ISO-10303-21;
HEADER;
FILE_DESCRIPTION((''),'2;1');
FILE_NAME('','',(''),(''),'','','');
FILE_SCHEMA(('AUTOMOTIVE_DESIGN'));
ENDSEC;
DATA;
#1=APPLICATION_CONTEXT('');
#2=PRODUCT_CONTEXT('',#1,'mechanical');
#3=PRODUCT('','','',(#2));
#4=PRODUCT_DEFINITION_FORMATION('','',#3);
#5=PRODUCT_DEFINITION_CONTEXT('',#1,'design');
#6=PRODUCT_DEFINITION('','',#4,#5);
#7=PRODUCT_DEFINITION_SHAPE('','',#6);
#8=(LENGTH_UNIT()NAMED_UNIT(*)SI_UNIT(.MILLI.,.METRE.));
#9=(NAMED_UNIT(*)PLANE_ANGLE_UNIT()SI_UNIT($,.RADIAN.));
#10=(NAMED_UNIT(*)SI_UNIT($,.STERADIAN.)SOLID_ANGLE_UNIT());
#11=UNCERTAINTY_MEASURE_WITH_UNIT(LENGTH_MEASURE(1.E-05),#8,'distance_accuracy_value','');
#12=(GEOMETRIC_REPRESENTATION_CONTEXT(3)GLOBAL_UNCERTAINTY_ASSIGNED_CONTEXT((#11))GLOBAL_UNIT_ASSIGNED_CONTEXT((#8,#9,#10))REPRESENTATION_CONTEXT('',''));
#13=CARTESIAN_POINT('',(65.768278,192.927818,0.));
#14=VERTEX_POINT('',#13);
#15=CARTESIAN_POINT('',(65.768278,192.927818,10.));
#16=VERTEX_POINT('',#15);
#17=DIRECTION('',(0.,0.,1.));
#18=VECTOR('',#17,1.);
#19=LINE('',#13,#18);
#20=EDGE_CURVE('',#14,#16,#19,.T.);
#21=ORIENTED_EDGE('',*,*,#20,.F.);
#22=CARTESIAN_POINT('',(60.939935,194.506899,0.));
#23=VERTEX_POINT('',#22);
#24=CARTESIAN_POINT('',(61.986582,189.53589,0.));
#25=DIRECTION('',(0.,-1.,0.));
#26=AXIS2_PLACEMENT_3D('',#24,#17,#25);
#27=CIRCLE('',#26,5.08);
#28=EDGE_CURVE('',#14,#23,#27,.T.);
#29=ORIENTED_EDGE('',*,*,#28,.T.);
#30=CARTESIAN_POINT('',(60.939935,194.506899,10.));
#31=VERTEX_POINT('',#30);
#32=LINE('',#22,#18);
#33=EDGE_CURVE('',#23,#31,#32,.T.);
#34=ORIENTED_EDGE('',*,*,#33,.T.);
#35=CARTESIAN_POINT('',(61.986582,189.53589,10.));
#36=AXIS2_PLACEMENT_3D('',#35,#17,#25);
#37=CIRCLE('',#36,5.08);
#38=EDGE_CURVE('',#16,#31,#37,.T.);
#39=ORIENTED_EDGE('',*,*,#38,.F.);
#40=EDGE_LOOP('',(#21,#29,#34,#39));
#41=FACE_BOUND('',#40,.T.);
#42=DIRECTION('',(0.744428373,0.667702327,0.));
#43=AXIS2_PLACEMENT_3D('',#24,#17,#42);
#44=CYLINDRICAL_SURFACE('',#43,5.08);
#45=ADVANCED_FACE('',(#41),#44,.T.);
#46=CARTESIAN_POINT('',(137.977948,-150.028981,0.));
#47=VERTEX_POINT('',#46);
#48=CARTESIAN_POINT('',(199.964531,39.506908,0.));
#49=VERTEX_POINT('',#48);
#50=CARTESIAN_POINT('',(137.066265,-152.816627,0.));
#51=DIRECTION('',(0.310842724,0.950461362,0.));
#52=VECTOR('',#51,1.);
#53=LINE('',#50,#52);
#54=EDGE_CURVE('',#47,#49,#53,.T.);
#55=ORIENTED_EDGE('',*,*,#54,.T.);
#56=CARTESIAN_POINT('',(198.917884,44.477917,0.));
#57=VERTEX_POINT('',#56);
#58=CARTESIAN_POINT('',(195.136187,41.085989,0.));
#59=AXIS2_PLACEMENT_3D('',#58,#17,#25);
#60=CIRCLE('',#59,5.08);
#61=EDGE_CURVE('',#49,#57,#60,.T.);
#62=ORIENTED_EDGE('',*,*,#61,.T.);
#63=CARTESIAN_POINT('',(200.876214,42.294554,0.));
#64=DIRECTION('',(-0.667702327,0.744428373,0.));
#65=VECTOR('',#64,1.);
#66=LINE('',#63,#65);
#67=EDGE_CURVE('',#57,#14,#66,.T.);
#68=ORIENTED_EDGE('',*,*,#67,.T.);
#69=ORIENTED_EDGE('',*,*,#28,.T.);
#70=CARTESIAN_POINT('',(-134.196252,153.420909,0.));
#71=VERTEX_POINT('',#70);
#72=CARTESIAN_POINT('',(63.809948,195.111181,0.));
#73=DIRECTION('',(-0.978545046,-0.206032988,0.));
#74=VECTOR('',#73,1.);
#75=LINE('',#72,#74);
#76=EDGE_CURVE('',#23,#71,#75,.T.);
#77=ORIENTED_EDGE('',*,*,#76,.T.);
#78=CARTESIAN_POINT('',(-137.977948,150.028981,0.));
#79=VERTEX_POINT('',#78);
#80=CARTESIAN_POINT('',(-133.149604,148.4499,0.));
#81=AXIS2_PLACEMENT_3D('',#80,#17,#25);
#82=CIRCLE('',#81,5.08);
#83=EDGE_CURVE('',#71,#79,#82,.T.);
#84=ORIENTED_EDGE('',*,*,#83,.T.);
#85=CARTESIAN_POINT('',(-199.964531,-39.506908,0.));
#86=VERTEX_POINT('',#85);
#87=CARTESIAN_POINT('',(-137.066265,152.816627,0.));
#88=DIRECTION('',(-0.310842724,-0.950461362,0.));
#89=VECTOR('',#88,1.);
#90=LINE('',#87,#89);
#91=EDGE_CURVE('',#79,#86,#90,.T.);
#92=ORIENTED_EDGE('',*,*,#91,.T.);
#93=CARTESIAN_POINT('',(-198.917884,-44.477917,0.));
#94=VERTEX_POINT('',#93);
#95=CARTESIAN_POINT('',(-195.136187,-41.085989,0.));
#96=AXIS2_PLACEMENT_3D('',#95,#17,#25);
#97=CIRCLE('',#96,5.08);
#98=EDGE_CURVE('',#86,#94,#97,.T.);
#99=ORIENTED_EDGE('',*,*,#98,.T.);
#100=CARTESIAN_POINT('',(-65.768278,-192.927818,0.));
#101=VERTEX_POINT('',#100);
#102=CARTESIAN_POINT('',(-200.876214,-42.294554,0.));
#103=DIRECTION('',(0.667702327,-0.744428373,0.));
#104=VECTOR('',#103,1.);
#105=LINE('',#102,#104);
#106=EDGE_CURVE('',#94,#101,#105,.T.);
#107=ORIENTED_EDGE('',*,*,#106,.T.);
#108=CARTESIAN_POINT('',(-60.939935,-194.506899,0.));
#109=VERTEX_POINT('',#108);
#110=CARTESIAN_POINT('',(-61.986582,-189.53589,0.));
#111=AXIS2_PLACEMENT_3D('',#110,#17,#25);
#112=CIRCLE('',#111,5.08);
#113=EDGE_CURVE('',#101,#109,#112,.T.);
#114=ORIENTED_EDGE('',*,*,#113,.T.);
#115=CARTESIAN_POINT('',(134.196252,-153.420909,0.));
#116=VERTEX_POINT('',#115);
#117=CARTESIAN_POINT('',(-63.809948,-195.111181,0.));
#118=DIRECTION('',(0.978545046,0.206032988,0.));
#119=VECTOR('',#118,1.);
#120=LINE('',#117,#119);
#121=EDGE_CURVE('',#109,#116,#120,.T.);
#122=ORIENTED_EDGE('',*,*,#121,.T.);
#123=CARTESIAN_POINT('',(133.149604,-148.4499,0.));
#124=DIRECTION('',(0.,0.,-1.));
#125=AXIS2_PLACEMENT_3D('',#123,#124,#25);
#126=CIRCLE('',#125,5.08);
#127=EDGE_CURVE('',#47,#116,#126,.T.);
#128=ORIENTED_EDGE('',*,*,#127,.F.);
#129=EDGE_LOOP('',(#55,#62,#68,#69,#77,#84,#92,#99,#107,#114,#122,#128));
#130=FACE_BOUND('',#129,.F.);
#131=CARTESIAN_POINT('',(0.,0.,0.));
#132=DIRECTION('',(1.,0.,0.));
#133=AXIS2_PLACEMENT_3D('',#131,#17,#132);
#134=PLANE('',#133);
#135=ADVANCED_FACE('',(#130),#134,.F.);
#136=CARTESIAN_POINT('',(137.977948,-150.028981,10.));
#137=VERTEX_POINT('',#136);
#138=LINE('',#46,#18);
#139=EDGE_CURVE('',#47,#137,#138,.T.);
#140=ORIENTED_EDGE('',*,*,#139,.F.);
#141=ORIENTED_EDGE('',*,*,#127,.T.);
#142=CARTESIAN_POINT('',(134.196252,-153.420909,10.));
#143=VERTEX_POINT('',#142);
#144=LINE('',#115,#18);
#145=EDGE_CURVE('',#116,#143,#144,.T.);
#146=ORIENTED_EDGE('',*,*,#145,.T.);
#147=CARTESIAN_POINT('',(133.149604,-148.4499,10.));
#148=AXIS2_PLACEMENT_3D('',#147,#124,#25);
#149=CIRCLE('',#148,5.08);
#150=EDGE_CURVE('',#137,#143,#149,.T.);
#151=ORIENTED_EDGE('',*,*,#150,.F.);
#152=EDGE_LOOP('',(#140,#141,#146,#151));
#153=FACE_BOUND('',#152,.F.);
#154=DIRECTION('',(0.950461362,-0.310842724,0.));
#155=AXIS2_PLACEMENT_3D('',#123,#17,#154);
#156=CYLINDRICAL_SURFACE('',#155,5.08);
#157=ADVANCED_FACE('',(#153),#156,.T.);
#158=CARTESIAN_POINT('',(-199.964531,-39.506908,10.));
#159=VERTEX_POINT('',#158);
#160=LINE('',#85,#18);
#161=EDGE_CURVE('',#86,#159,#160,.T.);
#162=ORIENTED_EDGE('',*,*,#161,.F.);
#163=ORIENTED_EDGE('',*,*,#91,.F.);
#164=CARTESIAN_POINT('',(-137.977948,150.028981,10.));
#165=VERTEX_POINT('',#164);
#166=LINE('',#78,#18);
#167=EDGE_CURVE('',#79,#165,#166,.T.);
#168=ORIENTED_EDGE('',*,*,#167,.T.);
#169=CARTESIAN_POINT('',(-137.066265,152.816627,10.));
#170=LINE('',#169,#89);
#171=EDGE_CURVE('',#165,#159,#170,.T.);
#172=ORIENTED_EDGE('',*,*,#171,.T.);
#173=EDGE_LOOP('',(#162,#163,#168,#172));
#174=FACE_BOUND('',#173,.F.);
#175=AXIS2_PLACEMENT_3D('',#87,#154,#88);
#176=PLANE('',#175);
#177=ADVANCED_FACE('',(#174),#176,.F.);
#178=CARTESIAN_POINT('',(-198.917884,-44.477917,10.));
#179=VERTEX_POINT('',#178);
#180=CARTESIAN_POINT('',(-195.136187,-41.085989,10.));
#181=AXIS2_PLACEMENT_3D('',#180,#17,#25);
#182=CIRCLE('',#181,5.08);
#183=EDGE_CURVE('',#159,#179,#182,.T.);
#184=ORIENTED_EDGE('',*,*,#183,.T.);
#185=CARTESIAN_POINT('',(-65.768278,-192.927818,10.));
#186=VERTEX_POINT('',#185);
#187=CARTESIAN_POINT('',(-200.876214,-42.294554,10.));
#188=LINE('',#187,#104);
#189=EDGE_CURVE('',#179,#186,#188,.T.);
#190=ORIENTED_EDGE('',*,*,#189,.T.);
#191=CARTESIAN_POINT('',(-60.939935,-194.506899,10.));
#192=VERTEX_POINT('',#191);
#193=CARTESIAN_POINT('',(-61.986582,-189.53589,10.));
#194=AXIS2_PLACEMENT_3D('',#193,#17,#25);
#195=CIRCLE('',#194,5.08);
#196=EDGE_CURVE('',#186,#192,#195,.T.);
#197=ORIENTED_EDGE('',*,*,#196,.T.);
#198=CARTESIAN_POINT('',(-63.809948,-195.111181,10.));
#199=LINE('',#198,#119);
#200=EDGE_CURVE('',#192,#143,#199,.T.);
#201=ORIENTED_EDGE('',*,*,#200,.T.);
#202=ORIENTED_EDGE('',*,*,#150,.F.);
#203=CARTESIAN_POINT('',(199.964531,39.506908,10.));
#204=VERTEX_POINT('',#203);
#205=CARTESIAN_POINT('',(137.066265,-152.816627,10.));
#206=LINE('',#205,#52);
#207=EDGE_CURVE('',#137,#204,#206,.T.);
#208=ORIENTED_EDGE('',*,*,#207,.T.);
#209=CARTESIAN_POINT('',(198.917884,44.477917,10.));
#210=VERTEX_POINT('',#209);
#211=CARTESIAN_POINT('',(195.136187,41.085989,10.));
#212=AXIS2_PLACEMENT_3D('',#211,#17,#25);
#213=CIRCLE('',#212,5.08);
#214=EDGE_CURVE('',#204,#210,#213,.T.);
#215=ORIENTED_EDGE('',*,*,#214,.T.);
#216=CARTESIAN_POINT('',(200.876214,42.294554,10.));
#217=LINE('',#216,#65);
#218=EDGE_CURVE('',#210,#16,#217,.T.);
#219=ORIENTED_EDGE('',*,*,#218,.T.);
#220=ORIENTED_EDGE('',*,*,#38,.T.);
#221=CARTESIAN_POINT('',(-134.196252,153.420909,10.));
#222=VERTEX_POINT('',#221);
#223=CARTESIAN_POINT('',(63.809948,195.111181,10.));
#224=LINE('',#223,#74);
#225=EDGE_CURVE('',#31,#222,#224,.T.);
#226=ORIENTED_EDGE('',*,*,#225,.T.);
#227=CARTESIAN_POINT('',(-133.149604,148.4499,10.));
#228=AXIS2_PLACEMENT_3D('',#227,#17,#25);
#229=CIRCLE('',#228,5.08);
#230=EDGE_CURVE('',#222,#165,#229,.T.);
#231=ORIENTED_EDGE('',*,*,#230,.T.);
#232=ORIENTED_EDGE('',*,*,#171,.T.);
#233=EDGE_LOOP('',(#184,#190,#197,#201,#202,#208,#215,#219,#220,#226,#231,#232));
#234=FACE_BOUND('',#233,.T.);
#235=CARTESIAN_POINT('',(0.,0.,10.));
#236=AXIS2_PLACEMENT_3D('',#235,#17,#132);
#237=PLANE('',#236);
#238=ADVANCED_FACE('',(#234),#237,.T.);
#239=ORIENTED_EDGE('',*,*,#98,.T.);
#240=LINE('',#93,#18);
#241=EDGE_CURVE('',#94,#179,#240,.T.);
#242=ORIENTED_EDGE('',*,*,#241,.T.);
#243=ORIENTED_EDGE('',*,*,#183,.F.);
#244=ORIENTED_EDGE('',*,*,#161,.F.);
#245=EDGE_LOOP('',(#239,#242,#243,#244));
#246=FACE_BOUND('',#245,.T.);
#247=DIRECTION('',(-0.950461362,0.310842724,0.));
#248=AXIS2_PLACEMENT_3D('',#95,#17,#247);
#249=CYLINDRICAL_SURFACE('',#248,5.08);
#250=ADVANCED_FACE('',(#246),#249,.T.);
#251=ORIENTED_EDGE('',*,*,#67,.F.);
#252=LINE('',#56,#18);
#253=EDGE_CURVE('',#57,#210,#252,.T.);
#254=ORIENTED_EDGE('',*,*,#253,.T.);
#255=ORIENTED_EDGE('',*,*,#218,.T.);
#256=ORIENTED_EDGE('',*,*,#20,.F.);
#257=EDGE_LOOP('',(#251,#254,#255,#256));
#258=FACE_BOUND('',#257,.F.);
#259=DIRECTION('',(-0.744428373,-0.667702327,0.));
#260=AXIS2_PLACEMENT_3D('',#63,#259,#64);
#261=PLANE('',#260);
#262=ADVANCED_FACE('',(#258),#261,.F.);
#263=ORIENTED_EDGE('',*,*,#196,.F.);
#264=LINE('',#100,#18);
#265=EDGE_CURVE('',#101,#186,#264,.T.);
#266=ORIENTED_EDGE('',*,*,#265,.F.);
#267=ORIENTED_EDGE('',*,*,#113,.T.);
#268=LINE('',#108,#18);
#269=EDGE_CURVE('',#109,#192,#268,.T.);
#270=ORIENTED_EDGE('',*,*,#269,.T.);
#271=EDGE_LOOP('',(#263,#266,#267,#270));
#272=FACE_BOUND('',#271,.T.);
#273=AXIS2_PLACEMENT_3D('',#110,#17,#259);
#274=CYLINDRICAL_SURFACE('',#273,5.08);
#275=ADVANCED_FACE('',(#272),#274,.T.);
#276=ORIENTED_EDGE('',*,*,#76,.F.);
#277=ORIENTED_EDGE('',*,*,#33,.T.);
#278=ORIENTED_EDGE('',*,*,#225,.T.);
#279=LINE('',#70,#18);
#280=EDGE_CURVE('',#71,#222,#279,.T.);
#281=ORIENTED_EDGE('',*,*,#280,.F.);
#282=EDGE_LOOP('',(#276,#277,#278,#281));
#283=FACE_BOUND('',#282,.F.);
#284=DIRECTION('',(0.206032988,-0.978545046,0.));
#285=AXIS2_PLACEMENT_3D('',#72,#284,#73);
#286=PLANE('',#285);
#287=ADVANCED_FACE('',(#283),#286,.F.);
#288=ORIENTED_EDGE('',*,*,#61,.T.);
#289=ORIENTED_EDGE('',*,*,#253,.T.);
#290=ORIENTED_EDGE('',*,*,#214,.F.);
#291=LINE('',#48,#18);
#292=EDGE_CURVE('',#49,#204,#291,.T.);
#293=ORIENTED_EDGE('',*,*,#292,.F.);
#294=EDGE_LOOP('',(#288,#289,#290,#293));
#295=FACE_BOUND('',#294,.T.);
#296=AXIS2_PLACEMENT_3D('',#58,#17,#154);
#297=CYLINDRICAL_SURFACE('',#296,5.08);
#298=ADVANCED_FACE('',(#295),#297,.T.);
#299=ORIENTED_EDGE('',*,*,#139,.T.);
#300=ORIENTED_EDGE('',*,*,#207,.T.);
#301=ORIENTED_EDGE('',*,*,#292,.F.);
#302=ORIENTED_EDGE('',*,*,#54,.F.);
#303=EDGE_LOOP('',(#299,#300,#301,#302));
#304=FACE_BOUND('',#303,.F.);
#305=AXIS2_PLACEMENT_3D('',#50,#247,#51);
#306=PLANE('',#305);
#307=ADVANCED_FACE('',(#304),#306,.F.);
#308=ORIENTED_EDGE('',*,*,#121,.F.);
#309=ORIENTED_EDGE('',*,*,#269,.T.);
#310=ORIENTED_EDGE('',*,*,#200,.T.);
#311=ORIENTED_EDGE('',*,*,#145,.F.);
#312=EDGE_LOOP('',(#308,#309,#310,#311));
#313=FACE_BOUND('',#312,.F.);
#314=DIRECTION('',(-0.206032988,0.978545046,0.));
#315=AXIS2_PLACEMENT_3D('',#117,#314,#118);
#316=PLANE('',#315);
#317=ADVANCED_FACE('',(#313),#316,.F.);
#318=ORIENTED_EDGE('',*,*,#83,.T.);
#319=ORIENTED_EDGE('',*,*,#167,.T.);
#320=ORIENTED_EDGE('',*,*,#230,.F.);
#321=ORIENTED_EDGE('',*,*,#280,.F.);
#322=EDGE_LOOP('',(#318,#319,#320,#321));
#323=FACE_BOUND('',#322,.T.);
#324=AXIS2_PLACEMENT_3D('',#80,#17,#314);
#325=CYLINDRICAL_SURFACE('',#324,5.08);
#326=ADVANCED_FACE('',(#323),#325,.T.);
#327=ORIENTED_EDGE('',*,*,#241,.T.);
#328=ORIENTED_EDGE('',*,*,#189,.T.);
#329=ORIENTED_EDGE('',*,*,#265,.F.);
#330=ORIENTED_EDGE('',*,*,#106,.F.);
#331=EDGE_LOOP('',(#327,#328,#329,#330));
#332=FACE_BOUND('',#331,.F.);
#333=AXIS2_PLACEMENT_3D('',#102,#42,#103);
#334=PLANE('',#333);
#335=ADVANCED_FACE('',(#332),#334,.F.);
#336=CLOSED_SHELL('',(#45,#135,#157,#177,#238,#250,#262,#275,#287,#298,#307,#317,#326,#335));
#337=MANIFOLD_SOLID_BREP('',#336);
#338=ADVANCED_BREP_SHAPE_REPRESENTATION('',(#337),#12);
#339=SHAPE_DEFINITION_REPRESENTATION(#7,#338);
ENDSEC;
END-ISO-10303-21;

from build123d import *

# Parameters (mm, degrees)
F1_DEPTH = 10
F2_R     = 5.08


with BuildPart() as f1:
    # F0 (on Top) → F1 (new body)
    with BuildSketch(Plane.XY):
        Polygon((137.066265, -152.816627), (200.876214, 42.294554), (63.809948, 195.111181), (-137.066265, 152.816627), (-200.876214, -42.294554), (-63.809948, -195.111181), align=None)
    extrude(amount=F1_DEPTH)

    # F2
    f2_edges = [f1.edges().sort_by_distance(p)[0] for p in [
        (-63.809948, -195.111181, 5),
        (137.066265, -152.816627, 5),
        (200.876214, 42.294554, 5),
        (-200.876214, -42.294554, 5),
        (63.809948, 195.111181, 5),
        (-137.066265, 152.816627, 5),
    ]]
    fillet(f2_edges, radius=F2_R)


solid = f1.part
